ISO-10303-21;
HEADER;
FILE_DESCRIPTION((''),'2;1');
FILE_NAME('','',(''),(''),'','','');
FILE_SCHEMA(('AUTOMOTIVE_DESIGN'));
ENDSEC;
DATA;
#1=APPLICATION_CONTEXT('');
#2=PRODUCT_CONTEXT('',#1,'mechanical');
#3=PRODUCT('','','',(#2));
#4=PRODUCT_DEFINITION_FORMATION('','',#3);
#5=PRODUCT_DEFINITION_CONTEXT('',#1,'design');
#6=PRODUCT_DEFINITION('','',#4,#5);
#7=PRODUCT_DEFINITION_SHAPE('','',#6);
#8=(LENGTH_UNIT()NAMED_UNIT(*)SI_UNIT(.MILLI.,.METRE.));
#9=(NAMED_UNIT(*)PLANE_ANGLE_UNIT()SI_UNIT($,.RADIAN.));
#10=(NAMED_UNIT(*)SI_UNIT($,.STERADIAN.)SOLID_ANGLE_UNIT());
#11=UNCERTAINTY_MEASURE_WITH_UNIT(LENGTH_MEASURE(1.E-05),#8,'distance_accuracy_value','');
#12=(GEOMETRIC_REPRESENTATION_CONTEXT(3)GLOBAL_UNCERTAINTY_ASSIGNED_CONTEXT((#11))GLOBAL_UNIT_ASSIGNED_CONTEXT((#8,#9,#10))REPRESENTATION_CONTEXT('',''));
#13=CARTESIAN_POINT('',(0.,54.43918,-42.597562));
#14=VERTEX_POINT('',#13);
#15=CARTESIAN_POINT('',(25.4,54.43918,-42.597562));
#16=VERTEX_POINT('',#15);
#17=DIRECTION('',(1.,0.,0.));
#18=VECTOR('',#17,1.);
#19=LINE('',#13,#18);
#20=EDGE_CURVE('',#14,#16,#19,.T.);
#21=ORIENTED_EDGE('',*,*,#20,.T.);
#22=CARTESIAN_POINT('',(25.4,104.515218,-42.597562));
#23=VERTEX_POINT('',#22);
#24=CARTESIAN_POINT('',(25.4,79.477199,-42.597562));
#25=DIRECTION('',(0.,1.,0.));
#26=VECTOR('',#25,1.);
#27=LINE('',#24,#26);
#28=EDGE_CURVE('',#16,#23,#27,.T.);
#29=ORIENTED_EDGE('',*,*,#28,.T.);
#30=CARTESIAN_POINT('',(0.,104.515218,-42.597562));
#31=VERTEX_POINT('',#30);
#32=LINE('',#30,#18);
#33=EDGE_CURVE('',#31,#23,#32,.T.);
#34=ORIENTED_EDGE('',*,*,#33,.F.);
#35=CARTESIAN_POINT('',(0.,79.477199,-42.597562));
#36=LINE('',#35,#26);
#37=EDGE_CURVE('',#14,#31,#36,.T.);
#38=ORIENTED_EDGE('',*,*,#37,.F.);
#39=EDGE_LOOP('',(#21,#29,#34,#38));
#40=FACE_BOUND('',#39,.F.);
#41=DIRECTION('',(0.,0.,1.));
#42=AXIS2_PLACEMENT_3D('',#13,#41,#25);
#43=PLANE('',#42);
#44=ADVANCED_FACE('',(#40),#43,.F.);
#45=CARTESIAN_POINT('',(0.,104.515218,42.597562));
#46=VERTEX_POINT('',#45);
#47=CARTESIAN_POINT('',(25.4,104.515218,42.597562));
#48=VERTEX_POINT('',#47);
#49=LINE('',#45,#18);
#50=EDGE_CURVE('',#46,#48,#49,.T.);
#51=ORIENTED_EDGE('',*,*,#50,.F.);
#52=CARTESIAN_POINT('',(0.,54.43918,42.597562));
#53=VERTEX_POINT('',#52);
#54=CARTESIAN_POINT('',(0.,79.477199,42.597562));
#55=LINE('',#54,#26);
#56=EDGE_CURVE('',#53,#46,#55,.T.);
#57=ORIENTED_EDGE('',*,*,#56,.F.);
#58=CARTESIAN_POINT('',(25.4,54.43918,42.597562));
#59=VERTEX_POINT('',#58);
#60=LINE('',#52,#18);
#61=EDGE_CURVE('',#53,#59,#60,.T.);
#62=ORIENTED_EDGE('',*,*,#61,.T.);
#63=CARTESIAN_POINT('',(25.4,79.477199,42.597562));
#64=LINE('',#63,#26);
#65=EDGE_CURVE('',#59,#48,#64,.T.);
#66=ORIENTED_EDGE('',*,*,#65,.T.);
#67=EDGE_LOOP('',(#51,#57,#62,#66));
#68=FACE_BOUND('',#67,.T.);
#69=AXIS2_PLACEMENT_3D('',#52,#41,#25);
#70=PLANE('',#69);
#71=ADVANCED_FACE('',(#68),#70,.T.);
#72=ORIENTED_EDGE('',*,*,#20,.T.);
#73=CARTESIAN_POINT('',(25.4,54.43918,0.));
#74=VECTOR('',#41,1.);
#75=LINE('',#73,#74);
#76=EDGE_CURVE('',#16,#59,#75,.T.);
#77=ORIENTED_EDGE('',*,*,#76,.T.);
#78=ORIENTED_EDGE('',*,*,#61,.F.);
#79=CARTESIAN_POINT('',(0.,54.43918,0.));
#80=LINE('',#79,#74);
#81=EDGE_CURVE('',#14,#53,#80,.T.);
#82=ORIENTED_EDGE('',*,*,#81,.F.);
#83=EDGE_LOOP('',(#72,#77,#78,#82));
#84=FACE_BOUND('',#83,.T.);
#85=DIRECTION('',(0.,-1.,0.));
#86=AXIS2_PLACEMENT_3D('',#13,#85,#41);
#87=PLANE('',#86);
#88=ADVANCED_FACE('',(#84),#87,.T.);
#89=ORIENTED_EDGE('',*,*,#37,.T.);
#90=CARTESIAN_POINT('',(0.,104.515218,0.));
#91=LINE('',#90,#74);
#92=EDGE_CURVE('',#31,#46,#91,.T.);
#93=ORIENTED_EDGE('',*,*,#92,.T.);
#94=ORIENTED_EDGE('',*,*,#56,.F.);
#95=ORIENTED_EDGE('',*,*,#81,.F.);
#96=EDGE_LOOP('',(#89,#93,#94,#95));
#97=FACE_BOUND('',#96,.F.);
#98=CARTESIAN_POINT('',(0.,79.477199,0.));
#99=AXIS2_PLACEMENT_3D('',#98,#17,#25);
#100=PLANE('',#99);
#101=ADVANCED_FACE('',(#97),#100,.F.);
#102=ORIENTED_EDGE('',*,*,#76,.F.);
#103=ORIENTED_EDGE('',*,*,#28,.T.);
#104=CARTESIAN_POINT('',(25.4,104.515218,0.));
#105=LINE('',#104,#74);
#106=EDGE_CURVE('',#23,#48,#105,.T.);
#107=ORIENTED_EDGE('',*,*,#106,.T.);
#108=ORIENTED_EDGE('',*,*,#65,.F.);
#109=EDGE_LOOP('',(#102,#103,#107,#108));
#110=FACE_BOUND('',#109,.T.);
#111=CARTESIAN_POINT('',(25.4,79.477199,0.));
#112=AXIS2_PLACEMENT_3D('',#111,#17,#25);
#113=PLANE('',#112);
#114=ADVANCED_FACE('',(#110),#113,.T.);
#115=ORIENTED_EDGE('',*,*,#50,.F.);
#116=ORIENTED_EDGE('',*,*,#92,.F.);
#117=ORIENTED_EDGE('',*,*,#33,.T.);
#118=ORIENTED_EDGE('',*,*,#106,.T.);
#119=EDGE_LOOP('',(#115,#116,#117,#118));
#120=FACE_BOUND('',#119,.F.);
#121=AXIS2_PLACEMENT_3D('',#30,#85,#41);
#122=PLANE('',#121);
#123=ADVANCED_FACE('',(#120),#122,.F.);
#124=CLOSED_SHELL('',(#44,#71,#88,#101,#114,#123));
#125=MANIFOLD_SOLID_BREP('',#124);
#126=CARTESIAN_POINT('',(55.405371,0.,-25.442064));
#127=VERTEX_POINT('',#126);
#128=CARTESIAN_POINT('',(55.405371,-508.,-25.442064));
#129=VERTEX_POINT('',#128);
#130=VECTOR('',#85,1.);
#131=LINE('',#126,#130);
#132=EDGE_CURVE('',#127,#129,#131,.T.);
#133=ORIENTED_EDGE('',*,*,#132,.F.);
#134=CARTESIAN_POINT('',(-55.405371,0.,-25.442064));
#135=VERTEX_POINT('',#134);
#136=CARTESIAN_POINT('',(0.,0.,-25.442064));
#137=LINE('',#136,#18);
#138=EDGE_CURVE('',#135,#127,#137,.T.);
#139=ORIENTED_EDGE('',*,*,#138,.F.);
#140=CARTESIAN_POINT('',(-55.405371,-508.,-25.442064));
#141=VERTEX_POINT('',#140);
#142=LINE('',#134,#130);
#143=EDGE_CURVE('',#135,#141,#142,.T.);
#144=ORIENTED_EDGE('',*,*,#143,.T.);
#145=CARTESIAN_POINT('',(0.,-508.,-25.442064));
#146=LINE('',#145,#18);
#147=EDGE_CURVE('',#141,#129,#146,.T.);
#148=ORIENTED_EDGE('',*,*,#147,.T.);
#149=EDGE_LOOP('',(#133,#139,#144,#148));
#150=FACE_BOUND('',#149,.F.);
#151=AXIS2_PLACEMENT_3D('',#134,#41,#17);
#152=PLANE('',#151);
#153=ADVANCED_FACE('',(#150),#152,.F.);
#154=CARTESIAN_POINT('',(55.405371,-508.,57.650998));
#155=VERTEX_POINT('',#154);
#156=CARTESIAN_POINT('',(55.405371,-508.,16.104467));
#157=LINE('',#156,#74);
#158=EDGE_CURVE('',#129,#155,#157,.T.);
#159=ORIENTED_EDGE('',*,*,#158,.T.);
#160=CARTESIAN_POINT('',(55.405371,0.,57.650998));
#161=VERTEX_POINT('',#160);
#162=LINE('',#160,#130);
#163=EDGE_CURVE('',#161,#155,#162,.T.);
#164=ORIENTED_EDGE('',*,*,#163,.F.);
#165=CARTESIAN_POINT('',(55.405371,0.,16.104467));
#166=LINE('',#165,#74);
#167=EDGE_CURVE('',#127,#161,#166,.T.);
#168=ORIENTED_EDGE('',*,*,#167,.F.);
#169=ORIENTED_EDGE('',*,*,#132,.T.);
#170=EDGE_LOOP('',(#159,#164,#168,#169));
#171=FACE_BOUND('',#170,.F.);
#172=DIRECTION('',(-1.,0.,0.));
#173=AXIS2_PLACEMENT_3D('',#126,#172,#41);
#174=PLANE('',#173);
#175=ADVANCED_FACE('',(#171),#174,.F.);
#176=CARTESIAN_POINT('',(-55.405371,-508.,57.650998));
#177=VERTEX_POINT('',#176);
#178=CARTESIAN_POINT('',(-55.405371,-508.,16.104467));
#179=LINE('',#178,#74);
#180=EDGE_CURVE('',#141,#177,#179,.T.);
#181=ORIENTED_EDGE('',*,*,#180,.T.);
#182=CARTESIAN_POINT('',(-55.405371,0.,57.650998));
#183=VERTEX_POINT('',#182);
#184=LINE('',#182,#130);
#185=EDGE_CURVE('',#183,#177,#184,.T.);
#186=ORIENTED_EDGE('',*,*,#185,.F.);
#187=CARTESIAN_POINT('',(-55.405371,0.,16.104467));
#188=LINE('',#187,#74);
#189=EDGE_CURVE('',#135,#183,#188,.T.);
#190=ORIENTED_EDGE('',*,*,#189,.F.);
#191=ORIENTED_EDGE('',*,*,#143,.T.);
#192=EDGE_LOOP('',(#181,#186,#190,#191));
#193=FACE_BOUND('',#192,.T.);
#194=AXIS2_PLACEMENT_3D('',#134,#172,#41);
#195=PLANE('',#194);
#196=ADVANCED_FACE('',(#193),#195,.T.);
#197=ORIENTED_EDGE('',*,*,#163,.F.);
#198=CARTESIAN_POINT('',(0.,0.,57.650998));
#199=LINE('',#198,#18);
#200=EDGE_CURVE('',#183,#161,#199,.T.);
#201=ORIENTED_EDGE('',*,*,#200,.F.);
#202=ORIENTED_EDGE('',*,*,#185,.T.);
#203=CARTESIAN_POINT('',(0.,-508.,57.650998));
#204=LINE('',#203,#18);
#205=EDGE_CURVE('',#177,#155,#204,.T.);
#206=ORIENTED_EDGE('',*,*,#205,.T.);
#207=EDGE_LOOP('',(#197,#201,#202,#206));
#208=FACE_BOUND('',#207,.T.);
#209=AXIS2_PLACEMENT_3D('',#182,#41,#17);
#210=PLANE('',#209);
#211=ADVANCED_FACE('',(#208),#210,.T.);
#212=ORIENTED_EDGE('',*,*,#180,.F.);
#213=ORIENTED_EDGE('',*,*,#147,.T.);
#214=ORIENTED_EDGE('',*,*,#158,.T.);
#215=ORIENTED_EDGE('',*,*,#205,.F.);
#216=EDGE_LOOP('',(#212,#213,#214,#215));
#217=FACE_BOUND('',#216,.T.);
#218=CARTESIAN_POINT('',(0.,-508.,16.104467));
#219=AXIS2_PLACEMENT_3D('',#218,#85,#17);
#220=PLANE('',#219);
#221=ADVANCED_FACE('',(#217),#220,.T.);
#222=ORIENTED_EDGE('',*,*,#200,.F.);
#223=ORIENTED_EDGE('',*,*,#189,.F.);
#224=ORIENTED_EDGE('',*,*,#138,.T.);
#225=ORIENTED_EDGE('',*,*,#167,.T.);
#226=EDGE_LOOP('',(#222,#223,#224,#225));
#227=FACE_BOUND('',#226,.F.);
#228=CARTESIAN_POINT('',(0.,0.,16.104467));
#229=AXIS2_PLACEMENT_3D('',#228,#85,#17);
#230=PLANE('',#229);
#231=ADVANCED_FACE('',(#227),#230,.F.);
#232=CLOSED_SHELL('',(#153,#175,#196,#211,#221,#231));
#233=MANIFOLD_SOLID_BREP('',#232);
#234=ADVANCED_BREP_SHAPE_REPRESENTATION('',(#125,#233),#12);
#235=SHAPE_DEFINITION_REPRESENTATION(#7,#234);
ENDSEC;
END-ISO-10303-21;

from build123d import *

# Parameters (mm, degrees)
F0_W     = 110.810742
F0_H     = 83.093062
F1_DEPTH = 508
F2_W     = 50.076037
F2_H     = 85.195124
F3_DEPTH = 25.4


with BuildPart() as f1:
    # F0 (on Front) → F1 (new body)
    with BuildSketch(Plane.XZ):
        with Locations((0, 16.104467)):
            Rectangle(F0_W, F0_H)
    extrude(amount=F1_DEPTH)


with BuildPart() as f3:
    # F2 (on Right) → F3 (new body)
    with BuildSketch(Plane.YZ):
        with Locations((79.477199, 0)):
            Rectangle(F2_W, F2_H)
    extrude(amount=F3_DEPTH)


solid = Compound([f1.part, f3.part])
